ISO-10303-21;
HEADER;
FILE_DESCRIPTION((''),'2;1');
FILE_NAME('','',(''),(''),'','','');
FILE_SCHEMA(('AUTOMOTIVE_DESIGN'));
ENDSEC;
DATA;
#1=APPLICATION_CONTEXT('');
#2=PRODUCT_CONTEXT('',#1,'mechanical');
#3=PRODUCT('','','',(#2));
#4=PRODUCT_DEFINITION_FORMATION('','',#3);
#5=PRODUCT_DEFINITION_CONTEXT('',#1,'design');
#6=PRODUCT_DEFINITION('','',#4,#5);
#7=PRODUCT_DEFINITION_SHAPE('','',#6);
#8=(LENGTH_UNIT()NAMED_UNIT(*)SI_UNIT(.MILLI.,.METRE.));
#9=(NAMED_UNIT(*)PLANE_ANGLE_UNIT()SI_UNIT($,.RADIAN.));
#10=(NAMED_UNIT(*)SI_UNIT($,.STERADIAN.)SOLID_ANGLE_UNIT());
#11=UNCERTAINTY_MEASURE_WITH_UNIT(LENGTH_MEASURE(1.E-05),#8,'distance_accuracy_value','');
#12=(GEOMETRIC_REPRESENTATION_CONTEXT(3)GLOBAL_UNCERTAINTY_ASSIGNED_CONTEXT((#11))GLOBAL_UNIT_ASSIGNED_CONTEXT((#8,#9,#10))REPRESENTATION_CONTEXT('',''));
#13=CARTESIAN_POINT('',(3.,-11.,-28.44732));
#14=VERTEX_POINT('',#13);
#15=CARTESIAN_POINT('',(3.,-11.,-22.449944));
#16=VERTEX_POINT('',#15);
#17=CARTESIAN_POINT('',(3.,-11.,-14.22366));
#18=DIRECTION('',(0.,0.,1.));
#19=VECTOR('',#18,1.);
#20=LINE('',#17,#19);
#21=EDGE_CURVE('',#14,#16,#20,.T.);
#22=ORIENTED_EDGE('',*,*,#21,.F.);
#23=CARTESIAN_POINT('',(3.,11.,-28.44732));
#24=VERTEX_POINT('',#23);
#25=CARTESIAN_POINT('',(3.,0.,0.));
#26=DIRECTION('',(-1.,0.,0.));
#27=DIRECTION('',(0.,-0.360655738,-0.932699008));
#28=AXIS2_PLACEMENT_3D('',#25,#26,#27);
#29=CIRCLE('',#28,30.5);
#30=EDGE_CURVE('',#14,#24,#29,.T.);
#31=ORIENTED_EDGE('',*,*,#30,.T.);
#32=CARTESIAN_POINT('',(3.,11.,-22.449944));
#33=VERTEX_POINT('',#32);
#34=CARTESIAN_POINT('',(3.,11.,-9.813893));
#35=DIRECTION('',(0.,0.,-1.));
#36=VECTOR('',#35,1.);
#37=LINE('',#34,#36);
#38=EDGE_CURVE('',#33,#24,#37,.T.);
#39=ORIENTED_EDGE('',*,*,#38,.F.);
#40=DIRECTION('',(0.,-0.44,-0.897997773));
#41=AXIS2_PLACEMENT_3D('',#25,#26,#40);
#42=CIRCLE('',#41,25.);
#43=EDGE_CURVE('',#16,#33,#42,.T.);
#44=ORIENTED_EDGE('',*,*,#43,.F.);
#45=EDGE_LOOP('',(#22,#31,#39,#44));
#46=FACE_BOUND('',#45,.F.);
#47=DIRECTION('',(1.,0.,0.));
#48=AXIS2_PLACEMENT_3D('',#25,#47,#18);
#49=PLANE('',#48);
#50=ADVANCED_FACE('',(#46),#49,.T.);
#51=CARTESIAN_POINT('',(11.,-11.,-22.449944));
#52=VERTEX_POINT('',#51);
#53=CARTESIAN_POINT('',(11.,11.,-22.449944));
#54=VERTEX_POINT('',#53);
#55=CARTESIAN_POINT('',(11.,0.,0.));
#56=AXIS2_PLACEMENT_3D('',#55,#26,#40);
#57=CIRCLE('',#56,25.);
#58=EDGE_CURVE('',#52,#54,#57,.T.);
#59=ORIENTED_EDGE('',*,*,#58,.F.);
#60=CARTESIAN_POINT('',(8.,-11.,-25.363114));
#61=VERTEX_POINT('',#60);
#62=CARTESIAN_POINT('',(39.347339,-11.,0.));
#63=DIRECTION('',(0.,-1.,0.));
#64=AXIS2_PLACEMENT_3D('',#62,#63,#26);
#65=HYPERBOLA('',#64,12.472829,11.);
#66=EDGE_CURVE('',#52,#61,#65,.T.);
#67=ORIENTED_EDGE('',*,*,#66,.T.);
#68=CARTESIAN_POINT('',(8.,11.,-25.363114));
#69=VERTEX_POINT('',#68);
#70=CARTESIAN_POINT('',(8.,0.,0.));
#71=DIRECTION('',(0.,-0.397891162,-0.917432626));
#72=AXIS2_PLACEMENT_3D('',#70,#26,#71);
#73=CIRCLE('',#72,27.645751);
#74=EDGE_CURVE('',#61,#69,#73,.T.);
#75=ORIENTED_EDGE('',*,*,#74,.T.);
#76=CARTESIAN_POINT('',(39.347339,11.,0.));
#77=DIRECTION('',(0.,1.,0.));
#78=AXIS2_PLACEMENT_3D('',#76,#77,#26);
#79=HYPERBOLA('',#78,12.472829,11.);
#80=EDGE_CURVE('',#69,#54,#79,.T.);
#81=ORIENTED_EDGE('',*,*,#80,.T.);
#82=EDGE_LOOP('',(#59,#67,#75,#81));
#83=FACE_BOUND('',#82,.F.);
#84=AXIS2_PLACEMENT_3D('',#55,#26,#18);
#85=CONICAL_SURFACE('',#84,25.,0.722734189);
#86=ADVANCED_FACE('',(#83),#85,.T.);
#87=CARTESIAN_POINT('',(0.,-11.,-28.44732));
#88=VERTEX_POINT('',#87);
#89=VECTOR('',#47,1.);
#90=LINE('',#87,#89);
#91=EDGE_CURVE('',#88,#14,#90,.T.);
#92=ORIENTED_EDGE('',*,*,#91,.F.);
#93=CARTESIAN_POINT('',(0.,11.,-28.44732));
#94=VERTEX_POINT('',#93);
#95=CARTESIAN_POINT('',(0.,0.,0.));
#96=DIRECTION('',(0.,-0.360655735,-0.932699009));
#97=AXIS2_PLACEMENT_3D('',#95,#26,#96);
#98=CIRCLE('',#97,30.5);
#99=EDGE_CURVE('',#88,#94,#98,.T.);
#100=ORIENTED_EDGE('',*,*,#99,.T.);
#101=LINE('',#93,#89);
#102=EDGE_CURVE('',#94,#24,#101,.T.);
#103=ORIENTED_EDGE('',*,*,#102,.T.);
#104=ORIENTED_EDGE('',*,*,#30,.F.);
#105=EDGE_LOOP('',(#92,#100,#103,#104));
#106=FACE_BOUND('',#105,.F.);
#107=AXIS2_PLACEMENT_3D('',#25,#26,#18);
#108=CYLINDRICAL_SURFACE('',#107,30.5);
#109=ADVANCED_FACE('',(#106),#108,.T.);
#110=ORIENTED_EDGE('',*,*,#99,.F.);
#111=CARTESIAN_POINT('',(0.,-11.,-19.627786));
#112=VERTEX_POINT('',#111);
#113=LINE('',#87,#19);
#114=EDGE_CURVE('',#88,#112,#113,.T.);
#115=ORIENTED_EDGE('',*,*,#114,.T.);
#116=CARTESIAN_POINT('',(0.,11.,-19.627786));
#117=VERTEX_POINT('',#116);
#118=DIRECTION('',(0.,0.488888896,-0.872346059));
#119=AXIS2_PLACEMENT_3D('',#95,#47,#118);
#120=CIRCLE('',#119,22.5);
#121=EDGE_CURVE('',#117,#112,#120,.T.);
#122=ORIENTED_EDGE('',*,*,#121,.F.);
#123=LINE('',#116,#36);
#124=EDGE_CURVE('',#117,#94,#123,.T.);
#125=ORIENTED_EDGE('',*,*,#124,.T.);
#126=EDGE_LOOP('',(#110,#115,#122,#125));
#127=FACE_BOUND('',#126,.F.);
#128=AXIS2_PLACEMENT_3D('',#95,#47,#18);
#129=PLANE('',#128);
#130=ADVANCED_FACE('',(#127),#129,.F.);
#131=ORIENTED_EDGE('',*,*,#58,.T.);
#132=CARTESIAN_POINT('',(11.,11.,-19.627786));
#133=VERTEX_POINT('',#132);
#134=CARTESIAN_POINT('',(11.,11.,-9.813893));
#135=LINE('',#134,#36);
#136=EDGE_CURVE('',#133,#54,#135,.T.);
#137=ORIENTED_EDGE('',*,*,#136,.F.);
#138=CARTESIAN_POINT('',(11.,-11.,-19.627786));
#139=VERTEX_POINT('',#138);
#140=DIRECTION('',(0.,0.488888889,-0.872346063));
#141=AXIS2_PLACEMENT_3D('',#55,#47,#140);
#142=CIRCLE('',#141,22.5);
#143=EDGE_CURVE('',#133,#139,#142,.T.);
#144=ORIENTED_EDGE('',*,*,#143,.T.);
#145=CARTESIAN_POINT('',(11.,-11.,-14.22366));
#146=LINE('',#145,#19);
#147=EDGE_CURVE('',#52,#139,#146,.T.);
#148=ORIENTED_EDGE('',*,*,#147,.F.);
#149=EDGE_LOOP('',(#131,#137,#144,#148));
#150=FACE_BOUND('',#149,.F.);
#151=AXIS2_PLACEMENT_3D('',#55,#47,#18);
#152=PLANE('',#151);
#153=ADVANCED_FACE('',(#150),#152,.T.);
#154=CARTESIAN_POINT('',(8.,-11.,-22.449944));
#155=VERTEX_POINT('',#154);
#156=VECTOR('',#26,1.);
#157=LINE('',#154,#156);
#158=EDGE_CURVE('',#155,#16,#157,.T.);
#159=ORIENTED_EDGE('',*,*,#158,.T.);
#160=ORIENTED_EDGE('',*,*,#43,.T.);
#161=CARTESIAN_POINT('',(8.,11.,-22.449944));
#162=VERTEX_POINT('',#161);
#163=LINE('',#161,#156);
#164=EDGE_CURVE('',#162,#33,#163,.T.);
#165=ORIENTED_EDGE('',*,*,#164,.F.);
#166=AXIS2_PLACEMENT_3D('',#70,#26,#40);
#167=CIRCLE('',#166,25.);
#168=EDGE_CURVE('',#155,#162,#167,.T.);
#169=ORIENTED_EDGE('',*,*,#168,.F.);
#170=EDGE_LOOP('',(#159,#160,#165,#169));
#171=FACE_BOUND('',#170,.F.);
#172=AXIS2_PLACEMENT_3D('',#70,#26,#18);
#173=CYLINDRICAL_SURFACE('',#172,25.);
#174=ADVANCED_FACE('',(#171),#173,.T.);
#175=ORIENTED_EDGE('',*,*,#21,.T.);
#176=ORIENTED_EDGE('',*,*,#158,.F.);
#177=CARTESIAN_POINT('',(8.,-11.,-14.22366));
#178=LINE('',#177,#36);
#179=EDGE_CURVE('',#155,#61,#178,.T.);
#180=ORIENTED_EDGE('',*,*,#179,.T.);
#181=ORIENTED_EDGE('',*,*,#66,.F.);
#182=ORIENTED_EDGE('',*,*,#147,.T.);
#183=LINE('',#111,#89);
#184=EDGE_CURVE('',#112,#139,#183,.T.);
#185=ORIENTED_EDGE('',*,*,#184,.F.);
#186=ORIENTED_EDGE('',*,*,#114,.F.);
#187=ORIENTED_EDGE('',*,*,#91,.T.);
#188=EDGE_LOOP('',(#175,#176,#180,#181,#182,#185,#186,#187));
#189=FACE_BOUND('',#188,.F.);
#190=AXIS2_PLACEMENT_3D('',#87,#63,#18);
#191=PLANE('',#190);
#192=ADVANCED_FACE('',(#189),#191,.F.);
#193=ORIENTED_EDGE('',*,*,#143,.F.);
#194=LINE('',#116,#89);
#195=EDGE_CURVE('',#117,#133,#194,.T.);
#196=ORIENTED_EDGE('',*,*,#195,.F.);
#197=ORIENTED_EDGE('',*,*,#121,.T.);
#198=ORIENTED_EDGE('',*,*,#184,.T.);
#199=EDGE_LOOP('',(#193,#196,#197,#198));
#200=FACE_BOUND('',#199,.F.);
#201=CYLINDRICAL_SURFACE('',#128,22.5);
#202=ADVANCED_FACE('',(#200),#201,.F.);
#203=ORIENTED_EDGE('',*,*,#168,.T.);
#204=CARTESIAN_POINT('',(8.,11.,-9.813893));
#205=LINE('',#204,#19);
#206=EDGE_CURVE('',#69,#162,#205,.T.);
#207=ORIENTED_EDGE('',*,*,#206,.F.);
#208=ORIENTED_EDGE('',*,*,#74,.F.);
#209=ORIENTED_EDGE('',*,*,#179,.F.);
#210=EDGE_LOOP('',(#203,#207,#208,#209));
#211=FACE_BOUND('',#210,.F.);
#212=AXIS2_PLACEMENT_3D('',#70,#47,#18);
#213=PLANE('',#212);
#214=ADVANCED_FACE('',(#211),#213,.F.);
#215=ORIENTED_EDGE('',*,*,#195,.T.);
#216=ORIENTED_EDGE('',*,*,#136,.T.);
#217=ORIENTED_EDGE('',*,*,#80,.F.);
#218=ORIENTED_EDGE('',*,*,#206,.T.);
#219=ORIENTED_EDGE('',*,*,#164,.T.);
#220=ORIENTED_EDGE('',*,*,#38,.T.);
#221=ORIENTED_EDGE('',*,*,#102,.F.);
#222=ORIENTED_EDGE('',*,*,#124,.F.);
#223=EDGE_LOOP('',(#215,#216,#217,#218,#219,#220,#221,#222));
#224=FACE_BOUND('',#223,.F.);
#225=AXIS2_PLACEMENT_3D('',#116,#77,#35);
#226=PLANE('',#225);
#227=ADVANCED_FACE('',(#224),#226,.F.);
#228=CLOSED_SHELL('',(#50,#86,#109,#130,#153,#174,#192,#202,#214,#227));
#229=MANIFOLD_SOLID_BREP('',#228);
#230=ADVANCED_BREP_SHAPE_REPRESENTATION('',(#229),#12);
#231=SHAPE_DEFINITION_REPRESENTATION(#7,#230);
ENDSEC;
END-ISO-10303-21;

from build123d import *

# Parameters (mm, degrees)
F3_DEPTH = 11.001


with BuildPart() as f1:
    # F0 (on Front) → F1 (revolve)
    with BuildSketch(Plane.XZ):
        Polygon((0, 30.5), (0, 22.5), (11, 22.5), (11, 25), (8, 27.645751), (8, 25), (3, 25), (3, 30.5), align=None)
    revolve(axis=Axis((16.307338, 0, 0), (1, 0, 0)))

    # F2 (on face) → F3 (cut, through all)
    with BuildSketch(Plane(origin=(0, 0, 0), x_dir=(0, -1, 0), z_dir=(-1, 0, 0))):
        with BuildLine():
            ThreePointArc((11, -19.627786), (0, -22.5), (-11, -19.627786))
            Line((-11, -19.627786), (-11, -28.44732))
            ThreePointArc((-11, -28.44732), (0, -30.5), (11, -28.44732))
            Line((11, -28.44732), (11, -19.627786))
        make_face()
    extrude(amount=-F3_DEPTH, mode=Mode.SUBTRACT)


solid = f1.part
